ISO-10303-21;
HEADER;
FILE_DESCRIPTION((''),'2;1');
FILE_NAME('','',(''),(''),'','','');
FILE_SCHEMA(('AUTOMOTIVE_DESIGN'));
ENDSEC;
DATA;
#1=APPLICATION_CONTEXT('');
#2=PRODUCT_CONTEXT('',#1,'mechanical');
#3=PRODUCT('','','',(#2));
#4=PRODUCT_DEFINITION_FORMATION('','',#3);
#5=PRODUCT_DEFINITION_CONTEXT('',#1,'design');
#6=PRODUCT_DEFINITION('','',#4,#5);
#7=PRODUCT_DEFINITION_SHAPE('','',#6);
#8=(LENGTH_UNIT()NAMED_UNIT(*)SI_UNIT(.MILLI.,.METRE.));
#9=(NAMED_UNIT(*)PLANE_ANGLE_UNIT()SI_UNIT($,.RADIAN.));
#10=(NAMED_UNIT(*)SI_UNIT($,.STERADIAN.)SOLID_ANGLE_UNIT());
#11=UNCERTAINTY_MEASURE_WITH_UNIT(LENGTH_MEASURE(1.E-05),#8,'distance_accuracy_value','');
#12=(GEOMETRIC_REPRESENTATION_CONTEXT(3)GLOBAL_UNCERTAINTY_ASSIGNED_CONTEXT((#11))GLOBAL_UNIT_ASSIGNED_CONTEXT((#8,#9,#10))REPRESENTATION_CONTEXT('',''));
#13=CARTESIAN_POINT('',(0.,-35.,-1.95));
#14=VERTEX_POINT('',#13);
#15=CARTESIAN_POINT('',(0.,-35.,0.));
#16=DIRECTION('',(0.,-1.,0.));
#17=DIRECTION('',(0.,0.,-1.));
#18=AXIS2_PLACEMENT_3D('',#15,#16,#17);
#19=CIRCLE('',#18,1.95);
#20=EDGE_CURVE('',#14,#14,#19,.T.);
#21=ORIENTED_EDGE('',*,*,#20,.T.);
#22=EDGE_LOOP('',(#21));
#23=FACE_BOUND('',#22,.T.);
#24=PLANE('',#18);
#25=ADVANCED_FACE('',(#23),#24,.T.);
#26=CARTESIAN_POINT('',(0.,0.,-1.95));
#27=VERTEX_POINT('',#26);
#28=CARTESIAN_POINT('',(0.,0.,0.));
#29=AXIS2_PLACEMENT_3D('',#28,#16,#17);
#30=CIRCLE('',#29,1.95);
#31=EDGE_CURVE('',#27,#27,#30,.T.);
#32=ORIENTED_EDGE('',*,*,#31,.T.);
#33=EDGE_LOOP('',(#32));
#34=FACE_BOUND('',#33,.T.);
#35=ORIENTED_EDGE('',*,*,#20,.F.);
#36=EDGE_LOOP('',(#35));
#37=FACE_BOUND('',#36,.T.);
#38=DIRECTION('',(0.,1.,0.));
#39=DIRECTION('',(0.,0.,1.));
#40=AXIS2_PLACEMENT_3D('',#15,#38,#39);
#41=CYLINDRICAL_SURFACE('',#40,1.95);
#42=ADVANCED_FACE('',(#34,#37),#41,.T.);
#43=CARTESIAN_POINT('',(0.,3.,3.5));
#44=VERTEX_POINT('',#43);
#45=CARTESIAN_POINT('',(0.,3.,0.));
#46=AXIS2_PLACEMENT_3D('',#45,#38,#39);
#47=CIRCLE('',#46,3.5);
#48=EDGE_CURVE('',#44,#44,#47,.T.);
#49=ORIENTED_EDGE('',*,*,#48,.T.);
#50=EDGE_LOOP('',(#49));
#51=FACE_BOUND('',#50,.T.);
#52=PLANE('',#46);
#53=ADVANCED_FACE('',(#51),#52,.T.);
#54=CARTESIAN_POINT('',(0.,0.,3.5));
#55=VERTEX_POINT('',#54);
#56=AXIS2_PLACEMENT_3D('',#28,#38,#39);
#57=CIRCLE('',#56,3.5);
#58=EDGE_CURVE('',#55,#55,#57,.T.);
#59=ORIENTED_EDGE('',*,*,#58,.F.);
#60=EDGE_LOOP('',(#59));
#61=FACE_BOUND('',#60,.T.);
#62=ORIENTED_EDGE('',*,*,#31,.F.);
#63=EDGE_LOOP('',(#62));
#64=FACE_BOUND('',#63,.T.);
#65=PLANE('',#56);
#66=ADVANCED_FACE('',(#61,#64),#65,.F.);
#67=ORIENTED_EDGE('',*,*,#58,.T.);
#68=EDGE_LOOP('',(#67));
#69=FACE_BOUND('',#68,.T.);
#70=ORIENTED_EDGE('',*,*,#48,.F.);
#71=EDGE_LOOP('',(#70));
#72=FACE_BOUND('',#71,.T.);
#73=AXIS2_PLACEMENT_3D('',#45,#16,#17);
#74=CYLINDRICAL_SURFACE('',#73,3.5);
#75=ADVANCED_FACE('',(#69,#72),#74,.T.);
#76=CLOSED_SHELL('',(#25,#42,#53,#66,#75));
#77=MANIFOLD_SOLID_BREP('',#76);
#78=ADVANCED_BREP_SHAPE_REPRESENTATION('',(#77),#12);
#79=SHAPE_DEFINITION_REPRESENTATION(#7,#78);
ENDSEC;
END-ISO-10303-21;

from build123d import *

# Parameters (mm, degrees)
SKETCH1_R           = 3.5
BOSS_EXTRUDE1_DEPTH = 3
SKETCH2_R           = 1.95
BOSS_EXTRUDE2_DEPTH = 35


with BuildPart() as part:
    # Sketch1 → Boss-Extrude1 (new body)
    with BuildSketch(Plane(origin=(0, 0, 0), x_dir=(1, 0, 0), z_dir=(0, 1, 0))):
        Circle(SKETCH1_R)
    extrude(amount=BOSS_EXTRUDE1_DEPTH)

    # Sketch2 → Boss-Extrude2 (add)
    with BuildSketch(Plane.XZ):
        Circle(SKETCH2_R)
    extrude(amount=BOSS_EXTRUDE2_DEPTH)


solid = part.part
